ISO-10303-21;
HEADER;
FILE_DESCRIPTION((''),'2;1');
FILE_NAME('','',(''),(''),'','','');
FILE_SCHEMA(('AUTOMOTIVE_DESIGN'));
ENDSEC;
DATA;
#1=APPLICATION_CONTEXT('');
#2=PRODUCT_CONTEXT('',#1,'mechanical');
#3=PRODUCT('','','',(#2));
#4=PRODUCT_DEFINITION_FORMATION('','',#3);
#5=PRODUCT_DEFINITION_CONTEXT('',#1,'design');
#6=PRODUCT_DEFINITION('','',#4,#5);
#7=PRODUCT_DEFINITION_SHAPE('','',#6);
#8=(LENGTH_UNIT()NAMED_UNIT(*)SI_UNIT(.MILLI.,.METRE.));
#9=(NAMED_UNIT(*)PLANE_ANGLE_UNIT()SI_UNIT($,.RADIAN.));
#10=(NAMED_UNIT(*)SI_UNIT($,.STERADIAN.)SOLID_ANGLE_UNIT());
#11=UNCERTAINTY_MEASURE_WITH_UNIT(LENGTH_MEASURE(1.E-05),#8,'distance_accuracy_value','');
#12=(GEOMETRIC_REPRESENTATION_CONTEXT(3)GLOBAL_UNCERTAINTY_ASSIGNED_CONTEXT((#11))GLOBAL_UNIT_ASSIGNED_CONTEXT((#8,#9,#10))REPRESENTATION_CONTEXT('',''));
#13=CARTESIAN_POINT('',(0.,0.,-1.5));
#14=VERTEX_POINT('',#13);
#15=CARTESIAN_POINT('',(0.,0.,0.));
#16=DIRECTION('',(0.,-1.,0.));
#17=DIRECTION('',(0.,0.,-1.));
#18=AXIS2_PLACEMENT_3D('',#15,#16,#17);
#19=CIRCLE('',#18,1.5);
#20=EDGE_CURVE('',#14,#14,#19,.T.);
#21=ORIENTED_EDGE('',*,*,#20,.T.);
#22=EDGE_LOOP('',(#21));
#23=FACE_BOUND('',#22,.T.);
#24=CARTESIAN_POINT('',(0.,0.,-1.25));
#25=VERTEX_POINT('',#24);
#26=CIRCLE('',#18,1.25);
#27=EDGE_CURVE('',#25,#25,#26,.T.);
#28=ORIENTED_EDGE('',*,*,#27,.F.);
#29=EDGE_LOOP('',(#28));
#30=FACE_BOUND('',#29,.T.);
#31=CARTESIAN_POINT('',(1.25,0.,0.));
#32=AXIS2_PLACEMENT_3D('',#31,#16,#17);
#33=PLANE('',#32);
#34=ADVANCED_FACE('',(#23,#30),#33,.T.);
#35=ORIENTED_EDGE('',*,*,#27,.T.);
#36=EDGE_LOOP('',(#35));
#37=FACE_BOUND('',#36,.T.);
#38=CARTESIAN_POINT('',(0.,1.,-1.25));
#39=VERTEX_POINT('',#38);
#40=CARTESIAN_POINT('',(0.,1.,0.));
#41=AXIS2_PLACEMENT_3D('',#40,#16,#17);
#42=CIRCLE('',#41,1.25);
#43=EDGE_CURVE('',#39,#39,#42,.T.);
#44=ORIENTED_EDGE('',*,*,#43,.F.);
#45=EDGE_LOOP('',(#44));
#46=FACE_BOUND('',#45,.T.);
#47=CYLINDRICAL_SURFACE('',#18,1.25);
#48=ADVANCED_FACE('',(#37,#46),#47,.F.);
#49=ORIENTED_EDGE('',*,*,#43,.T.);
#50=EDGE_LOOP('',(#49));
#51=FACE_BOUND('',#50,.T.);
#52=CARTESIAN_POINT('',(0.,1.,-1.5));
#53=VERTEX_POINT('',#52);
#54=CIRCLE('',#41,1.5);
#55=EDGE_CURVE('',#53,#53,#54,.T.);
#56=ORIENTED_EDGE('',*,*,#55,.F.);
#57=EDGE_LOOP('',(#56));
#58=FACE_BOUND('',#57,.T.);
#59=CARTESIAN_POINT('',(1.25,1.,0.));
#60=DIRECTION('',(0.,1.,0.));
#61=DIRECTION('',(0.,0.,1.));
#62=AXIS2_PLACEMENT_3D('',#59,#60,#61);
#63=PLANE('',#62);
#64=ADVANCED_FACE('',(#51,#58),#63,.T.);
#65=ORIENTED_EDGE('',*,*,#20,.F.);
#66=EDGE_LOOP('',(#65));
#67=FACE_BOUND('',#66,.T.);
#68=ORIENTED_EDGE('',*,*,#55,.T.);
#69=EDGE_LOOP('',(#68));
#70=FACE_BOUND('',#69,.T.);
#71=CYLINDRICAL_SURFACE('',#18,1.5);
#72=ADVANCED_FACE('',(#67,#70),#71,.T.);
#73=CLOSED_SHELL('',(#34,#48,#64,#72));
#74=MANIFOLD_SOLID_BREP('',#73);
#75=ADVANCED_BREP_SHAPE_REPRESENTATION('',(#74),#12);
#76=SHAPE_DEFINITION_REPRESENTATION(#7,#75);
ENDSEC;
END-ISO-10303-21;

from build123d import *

# Parameters (mm, degrees)
SKETCH1_W = 0.25
SKETCH1_H = 1


with BuildPart() as part:
    # Sketch1 → Revolve1 (revolve)
    with BuildSketch(Plane.XY):
        with Locations((1.375, 0.5)):
            Rectangle(SKETCH1_W, SKETCH1_H)
    revolve(axis=Axis((0, 0, 0), (0, 1, 0)))


solid = part.part
